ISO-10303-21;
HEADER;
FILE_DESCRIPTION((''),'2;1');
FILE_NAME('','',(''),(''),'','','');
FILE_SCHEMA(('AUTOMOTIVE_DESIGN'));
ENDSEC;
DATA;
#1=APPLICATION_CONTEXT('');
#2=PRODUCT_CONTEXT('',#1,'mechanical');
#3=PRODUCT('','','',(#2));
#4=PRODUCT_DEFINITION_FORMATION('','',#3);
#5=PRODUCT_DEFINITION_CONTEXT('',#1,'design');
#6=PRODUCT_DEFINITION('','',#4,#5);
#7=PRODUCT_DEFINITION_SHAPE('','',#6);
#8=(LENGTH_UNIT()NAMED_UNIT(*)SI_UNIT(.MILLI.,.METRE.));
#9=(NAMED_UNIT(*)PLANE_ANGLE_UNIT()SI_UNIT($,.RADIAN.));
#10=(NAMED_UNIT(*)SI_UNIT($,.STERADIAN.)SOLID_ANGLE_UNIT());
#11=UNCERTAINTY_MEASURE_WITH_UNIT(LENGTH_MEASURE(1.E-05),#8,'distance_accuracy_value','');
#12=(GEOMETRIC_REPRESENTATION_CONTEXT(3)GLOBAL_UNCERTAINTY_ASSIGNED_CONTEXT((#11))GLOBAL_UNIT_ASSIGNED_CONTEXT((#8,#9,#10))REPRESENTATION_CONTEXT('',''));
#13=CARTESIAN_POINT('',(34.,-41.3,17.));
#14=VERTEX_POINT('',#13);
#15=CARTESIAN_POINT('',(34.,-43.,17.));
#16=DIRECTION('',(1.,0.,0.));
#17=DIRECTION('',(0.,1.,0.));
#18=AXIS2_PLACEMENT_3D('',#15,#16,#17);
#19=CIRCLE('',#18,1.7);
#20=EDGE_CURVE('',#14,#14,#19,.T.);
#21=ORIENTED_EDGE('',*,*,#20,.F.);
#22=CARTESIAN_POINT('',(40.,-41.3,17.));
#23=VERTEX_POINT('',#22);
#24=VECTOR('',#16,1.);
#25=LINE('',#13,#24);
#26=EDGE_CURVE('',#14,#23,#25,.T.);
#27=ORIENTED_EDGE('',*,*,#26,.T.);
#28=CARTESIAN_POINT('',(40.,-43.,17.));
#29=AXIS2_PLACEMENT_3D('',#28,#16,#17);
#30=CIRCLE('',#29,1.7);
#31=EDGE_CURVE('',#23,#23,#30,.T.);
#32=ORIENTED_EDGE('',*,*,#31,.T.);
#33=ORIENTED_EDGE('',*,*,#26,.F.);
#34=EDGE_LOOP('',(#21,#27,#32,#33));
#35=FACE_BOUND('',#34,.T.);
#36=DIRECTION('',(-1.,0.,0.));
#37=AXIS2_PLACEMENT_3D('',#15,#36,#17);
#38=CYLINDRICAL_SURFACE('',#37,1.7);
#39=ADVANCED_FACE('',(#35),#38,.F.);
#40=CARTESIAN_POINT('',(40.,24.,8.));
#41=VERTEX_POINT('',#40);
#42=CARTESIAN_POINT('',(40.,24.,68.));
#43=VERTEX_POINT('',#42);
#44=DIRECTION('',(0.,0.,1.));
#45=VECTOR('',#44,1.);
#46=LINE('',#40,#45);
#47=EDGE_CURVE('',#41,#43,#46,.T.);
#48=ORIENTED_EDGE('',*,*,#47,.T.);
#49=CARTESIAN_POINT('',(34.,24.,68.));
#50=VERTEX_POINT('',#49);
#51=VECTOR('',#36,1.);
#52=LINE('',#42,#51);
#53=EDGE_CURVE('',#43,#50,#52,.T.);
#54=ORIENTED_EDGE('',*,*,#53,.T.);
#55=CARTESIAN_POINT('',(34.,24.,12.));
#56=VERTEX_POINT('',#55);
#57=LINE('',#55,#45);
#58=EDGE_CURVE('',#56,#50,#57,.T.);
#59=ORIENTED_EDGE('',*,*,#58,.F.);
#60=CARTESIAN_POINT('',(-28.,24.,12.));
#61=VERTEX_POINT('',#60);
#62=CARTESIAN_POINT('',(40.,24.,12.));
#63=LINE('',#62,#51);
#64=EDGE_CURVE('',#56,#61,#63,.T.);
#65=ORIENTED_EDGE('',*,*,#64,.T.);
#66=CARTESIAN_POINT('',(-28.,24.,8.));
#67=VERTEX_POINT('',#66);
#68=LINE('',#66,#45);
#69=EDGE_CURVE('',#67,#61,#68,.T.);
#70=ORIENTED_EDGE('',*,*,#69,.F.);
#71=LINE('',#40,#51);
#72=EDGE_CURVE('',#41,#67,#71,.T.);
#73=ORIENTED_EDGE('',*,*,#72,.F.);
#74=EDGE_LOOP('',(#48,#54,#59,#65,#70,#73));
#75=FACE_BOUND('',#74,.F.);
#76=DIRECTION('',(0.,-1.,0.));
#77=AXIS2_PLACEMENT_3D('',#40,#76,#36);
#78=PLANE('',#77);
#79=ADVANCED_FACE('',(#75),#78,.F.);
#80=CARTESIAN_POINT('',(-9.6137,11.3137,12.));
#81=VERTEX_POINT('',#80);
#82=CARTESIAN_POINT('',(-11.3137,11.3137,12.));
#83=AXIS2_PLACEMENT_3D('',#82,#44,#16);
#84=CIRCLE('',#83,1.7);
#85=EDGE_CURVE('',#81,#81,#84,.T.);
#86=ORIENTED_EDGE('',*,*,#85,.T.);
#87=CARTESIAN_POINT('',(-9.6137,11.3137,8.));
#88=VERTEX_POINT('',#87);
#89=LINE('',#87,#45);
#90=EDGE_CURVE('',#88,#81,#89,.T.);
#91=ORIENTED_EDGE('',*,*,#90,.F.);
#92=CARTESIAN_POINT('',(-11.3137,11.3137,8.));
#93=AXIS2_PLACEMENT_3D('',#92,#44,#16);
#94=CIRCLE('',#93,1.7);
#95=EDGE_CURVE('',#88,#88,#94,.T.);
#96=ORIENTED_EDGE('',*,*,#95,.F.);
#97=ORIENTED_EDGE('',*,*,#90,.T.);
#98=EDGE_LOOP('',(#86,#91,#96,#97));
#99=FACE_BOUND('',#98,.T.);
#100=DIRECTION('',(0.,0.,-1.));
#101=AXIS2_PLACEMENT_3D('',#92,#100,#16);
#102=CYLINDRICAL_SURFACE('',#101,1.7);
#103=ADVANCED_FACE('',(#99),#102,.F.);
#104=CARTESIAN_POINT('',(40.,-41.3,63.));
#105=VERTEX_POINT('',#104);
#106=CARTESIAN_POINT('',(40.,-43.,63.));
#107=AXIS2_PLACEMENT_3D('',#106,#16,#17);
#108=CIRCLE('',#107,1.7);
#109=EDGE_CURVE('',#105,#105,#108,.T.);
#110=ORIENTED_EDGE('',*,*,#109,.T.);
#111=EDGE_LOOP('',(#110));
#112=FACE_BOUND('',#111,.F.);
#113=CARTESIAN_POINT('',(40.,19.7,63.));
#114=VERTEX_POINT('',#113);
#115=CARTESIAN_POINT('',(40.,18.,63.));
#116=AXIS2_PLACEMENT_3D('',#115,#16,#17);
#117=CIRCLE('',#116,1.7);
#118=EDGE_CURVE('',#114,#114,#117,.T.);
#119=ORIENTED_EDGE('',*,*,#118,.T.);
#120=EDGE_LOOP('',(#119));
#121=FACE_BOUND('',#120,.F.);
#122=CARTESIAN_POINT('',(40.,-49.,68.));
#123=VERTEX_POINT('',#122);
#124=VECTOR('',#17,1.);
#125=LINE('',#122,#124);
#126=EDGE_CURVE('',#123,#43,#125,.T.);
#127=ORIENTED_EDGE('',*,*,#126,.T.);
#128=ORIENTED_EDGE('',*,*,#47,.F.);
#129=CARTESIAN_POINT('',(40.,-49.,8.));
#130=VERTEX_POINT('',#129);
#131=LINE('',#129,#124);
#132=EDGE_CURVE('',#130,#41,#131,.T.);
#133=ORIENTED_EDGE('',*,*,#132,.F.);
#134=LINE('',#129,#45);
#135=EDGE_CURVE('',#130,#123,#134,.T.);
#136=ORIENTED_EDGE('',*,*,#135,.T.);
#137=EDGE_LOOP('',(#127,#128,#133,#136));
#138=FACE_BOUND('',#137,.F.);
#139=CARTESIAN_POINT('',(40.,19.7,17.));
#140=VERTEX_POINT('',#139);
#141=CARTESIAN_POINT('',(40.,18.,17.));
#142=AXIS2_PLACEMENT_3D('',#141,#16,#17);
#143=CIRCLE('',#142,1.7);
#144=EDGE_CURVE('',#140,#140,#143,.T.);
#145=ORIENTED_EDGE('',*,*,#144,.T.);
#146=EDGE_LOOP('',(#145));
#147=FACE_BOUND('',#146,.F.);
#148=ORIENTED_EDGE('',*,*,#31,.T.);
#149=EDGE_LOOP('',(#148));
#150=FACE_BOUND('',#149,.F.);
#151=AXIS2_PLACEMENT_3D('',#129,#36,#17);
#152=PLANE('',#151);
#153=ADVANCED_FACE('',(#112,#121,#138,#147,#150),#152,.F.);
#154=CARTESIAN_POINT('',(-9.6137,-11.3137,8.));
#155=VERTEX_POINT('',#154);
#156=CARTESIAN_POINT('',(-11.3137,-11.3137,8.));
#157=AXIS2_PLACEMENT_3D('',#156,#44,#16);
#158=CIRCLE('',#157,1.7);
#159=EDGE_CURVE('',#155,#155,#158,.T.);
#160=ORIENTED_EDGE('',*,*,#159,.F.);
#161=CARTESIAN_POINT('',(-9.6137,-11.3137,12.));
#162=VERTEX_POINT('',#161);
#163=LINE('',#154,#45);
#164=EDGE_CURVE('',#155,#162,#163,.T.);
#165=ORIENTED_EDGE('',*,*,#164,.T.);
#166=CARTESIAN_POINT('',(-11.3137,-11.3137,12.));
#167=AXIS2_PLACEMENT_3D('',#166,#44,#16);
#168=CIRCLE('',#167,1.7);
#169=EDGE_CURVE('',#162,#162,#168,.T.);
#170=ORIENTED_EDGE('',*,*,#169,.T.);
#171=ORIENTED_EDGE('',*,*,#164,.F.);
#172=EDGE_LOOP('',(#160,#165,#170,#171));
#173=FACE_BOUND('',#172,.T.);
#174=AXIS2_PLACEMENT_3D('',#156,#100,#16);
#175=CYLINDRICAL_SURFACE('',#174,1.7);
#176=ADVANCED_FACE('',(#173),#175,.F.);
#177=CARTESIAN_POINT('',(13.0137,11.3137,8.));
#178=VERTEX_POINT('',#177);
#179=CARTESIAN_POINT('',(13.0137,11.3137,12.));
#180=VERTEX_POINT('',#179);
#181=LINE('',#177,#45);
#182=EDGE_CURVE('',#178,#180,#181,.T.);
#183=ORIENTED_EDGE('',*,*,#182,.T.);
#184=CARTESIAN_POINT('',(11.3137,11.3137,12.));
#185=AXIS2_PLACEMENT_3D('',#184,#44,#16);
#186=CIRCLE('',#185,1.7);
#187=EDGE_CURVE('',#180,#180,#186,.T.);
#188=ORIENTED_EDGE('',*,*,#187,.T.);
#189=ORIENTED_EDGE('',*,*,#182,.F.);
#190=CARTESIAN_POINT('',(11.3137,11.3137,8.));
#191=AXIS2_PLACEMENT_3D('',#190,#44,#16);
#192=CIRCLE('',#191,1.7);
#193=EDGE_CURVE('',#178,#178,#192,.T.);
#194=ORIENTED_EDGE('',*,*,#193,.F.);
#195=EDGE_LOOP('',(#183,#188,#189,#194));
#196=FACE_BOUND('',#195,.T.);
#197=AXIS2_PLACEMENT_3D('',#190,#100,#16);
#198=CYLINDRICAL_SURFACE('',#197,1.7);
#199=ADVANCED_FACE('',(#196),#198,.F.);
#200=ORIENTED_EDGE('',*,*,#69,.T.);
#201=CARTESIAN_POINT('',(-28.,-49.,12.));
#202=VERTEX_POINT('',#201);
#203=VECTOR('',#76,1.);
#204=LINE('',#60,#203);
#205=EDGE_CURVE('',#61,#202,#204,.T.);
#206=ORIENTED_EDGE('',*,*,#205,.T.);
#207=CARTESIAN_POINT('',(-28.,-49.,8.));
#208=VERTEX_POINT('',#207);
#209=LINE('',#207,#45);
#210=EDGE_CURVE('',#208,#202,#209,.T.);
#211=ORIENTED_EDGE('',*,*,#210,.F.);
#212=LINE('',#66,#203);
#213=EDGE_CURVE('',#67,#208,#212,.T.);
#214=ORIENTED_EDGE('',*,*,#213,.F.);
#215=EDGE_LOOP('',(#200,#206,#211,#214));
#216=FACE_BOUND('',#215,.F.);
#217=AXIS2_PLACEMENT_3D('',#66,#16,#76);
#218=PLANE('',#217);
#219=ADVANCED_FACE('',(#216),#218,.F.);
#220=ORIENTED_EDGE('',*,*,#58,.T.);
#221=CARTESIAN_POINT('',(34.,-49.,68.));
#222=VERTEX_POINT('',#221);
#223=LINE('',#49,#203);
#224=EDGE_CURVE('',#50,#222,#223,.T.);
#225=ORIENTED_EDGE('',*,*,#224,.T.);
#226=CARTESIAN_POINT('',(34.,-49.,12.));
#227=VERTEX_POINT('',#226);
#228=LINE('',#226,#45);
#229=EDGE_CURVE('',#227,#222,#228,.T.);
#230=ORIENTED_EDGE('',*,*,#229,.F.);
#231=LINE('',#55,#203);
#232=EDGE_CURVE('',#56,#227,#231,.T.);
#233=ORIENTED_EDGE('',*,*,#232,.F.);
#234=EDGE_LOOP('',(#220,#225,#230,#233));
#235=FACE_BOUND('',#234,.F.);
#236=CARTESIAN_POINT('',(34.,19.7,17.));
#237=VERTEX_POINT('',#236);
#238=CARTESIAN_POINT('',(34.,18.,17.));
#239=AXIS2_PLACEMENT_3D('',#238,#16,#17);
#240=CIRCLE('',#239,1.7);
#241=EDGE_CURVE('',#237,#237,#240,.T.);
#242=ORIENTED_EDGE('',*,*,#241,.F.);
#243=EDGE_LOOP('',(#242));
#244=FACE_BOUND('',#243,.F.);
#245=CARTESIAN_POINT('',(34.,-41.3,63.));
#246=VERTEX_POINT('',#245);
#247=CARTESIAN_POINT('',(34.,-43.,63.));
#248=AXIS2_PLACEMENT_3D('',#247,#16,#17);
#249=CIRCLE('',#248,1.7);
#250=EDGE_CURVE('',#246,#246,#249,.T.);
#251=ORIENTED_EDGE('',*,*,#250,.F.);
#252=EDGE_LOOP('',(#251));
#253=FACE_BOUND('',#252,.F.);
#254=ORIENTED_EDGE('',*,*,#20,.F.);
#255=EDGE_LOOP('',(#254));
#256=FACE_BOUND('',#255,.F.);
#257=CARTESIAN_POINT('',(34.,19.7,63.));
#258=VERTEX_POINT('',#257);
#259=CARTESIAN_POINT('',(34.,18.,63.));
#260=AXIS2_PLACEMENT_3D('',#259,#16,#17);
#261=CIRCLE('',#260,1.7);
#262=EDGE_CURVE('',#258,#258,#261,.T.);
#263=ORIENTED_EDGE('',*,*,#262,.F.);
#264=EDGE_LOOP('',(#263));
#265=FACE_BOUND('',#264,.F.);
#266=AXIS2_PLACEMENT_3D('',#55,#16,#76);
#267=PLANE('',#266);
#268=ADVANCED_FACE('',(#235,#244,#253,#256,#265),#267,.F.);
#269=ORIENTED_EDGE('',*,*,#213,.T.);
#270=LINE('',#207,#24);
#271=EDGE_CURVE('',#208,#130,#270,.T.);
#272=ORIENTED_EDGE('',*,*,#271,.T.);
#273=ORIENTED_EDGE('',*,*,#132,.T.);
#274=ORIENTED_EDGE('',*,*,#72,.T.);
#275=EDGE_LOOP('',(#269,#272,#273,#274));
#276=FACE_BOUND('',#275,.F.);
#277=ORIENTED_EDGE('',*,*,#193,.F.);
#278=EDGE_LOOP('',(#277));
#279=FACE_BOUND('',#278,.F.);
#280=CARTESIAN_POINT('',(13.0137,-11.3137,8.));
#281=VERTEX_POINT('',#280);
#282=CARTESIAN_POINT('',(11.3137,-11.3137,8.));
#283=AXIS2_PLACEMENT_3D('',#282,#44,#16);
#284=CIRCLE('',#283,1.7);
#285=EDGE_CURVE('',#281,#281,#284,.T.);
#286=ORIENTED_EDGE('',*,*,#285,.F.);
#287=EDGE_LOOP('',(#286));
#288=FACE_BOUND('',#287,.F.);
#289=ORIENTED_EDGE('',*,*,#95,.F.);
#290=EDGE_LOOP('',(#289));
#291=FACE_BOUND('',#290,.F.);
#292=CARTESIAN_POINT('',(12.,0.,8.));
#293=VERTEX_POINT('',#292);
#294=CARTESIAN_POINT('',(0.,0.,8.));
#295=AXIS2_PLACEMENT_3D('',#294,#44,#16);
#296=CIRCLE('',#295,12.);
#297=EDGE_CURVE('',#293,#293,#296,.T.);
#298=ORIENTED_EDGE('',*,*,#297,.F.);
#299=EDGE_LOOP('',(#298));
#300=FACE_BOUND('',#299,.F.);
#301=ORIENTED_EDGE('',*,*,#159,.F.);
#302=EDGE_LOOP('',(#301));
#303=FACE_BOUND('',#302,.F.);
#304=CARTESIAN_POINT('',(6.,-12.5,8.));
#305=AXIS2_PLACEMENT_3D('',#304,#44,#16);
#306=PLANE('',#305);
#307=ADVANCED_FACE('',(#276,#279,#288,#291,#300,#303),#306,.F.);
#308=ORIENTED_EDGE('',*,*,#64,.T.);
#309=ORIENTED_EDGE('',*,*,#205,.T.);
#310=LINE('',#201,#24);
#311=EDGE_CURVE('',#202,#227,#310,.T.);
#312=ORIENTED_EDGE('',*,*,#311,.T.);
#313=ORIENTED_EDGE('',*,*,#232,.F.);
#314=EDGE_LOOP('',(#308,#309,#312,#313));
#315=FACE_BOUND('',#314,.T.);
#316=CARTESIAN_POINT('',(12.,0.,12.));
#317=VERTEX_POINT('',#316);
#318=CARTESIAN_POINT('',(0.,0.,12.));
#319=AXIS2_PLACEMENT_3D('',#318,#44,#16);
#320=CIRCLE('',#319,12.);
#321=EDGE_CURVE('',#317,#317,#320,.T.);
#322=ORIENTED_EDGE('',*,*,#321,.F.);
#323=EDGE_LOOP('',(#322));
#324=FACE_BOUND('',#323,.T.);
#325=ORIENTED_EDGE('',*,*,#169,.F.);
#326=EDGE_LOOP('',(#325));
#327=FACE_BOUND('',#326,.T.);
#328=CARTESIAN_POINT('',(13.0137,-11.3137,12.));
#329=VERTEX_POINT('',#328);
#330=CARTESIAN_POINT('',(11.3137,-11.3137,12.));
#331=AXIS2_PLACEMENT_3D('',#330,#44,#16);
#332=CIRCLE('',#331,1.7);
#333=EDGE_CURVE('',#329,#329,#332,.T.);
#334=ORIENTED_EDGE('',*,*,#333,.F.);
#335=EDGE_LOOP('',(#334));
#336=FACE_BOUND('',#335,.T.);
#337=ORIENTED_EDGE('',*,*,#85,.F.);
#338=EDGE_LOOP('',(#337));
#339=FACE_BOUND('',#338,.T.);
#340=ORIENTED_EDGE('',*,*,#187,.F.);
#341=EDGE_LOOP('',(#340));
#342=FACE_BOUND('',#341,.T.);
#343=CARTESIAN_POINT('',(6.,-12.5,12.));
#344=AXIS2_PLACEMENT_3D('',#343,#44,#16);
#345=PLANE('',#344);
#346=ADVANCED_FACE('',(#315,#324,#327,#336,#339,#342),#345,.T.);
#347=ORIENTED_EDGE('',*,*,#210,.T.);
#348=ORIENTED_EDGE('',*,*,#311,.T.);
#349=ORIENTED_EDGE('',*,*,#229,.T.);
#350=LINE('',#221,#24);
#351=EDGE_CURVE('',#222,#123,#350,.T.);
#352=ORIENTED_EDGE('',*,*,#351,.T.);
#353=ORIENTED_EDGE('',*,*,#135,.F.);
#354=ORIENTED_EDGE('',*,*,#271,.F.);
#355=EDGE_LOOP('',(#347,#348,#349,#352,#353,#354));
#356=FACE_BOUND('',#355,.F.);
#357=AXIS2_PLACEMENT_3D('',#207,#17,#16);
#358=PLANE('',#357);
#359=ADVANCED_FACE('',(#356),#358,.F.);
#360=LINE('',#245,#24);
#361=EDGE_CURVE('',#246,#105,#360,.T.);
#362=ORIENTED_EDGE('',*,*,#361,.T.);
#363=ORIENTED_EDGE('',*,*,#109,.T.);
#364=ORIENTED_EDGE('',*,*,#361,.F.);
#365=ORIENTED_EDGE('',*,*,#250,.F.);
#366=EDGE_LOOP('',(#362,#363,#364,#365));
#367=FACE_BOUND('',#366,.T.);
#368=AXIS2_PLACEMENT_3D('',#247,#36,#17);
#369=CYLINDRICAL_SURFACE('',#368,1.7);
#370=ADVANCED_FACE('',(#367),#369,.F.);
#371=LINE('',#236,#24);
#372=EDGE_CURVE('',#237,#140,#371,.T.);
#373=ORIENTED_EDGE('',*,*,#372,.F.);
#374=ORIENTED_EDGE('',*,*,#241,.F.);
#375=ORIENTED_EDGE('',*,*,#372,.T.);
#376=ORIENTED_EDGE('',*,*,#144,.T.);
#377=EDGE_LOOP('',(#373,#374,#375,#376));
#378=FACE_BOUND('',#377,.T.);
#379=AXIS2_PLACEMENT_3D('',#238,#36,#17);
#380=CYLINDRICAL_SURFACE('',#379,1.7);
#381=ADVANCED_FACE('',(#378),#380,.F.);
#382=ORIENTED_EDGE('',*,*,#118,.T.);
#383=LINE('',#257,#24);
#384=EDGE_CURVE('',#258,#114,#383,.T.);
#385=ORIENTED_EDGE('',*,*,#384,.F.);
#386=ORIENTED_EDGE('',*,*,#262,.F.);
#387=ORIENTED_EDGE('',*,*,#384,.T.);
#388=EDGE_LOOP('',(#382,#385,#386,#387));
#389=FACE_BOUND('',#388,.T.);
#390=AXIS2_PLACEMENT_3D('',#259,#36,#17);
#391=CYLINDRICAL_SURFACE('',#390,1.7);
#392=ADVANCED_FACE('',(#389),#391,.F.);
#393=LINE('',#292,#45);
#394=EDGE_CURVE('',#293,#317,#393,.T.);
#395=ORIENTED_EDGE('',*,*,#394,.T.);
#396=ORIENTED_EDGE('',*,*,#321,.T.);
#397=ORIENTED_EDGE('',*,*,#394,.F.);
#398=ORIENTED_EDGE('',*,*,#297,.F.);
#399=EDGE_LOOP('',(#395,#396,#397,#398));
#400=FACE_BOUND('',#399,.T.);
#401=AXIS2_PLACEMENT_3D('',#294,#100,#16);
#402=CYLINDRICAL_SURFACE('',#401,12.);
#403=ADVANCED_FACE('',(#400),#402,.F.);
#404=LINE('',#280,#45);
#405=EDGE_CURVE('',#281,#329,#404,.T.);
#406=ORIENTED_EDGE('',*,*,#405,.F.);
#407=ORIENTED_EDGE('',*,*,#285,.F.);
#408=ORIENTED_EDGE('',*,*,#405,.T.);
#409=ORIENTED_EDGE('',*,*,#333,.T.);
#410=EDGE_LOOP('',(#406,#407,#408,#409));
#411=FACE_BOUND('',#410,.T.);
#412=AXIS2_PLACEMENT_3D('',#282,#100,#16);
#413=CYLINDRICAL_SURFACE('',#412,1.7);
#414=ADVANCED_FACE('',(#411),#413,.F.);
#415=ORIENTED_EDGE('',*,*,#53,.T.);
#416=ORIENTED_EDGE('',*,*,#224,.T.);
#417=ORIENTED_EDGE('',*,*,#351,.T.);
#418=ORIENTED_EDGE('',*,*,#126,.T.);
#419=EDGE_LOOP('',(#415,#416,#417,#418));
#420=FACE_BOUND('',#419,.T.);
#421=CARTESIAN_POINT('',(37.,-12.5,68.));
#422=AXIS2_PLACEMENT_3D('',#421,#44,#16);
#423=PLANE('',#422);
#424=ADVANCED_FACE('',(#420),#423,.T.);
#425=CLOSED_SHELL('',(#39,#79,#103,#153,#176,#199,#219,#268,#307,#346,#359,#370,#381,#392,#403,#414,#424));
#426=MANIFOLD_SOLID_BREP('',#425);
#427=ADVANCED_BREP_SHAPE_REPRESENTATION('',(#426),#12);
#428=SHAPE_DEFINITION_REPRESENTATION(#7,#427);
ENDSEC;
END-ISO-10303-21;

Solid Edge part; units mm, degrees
sketch "Sketch1" plane through (0, 0, 8) normal (0, 0, 1) x (1, 0, 0)
  line L0 (-28, -49) -> (40, -49)
  line L1 (40, -49) -> (40, 24)
  line L2 (40, 24) -> (-28, 24)
  line L3 (-28, 24) -> (-28, -49)
  circle A0 centre (0, 0) radius 12
  circle A1 centre (11.3137, 11.3137) radius 1.7
  circle A2 centre (-11.3137, 11.3137) radius 1.7
  circle A3 centre (-11.3137, -11.3137) radius 1.7
  circle A4 centre (11.3137, -11.3137) radius 1.7
extrude "ExtrudedProtrusion_1" add sketch "Sketch1" along normal blind 4
sketch "Sketch2" plane through (0, 0, 12) normal (0, 0, 1) x (1, 0, 0)
  line L0 (34, -49) -> (40, -49)
  line L1 (40, -49) -> (40, 24)
  line L2 (40, 24) -> (34, 24)
  line L3 (34, 24) -> (34, -49)
extrude "ExtrudedProtrusion_2" add sketch "Sketch2" along normal blind 56
sketch "Sketch3" plane through (34, 0, 0) normal (1, 0, 0) x (0, 1, 0)
  circle A0 centre (-43, 63) radius 1.7
  circle A1 centre (-43, 17) radius 1.7
  circle A2 centre (18, 63) radius 1.7
  circle A3 centre (18, 17) radius 1.7
extrude "ExtrudedCutout_1" cut sketch "Sketch3" along normal blind 6
